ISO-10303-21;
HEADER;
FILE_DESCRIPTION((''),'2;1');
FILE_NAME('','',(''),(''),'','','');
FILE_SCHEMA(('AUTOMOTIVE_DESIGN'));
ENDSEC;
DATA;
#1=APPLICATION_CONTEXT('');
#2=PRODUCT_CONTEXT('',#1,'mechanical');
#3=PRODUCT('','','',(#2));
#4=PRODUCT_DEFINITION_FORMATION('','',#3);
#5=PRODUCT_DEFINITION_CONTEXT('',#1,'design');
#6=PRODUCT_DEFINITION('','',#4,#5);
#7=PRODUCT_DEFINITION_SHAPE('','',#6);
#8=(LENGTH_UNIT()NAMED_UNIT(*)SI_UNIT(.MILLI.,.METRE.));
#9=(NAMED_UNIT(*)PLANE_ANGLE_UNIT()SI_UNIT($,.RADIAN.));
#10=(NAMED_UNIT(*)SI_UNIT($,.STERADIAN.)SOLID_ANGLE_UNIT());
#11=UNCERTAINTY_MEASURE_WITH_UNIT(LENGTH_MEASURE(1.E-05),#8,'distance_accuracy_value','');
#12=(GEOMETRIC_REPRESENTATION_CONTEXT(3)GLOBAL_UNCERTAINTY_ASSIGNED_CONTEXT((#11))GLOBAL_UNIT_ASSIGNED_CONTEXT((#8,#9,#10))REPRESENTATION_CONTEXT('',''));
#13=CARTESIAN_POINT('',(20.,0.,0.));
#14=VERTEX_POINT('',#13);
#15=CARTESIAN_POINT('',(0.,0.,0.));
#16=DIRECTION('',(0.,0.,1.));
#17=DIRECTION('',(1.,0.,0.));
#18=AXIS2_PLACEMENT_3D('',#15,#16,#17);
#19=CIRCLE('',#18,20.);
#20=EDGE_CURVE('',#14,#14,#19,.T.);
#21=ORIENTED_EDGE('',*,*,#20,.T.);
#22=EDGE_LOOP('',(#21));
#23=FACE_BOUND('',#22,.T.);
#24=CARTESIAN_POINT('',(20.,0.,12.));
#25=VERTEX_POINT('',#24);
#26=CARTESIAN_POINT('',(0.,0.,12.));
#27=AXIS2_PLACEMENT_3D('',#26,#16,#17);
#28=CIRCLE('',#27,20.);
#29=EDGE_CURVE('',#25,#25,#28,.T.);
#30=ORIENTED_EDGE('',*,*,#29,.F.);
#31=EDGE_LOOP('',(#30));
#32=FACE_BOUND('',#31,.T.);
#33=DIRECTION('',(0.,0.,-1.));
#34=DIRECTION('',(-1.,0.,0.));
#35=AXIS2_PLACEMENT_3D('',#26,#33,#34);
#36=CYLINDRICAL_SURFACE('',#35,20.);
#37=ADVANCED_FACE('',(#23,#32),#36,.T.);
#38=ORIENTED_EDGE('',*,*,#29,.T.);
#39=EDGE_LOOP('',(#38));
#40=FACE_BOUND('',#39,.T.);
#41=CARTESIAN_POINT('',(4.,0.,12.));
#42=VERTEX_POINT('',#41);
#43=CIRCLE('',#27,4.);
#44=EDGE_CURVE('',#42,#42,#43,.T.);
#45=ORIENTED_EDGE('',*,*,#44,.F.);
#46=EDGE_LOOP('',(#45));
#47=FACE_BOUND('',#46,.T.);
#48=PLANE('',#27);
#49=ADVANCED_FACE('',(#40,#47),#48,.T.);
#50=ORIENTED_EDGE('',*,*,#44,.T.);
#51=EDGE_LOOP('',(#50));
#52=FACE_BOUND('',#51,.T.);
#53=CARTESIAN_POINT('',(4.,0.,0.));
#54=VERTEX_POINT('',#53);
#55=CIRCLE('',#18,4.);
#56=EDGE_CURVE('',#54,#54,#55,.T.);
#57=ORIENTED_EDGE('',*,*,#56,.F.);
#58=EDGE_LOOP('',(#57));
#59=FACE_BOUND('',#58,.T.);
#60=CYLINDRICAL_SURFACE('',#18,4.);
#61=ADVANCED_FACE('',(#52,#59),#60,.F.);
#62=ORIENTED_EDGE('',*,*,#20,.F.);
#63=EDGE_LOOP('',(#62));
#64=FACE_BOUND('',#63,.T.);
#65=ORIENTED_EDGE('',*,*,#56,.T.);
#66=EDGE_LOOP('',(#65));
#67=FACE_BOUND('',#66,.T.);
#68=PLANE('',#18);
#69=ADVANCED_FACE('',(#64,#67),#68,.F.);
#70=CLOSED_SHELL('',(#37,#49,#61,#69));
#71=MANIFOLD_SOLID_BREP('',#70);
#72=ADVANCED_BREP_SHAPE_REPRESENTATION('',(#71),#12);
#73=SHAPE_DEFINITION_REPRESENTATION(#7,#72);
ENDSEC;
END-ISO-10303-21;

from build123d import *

# Parameters (mm, degrees)
SKETCH1_R           = 20
BOSS_EXTRUDE1_DEPTH = 12
SKETCH2_R           = 4
CUT_EXTRUDE1_DEPTH  = 12


with BuildPart() as part:
    # Sketch1 → Boss-Extrude1 (new body)
    with BuildSketch(Plane.XY):
        Circle(SKETCH1_R)
    extrude(amount=BOSS_EXTRUDE1_DEPTH)

    # Sketch2 → Cut-Extrude1 (cut)
    with BuildSketch(Plane.XY.offset(12)):
        Circle(SKETCH2_R)
    extrude(amount=-CUT_EXTRUDE1_DEPTH, mode=Mode.SUBTRACT)


solid = part.part
